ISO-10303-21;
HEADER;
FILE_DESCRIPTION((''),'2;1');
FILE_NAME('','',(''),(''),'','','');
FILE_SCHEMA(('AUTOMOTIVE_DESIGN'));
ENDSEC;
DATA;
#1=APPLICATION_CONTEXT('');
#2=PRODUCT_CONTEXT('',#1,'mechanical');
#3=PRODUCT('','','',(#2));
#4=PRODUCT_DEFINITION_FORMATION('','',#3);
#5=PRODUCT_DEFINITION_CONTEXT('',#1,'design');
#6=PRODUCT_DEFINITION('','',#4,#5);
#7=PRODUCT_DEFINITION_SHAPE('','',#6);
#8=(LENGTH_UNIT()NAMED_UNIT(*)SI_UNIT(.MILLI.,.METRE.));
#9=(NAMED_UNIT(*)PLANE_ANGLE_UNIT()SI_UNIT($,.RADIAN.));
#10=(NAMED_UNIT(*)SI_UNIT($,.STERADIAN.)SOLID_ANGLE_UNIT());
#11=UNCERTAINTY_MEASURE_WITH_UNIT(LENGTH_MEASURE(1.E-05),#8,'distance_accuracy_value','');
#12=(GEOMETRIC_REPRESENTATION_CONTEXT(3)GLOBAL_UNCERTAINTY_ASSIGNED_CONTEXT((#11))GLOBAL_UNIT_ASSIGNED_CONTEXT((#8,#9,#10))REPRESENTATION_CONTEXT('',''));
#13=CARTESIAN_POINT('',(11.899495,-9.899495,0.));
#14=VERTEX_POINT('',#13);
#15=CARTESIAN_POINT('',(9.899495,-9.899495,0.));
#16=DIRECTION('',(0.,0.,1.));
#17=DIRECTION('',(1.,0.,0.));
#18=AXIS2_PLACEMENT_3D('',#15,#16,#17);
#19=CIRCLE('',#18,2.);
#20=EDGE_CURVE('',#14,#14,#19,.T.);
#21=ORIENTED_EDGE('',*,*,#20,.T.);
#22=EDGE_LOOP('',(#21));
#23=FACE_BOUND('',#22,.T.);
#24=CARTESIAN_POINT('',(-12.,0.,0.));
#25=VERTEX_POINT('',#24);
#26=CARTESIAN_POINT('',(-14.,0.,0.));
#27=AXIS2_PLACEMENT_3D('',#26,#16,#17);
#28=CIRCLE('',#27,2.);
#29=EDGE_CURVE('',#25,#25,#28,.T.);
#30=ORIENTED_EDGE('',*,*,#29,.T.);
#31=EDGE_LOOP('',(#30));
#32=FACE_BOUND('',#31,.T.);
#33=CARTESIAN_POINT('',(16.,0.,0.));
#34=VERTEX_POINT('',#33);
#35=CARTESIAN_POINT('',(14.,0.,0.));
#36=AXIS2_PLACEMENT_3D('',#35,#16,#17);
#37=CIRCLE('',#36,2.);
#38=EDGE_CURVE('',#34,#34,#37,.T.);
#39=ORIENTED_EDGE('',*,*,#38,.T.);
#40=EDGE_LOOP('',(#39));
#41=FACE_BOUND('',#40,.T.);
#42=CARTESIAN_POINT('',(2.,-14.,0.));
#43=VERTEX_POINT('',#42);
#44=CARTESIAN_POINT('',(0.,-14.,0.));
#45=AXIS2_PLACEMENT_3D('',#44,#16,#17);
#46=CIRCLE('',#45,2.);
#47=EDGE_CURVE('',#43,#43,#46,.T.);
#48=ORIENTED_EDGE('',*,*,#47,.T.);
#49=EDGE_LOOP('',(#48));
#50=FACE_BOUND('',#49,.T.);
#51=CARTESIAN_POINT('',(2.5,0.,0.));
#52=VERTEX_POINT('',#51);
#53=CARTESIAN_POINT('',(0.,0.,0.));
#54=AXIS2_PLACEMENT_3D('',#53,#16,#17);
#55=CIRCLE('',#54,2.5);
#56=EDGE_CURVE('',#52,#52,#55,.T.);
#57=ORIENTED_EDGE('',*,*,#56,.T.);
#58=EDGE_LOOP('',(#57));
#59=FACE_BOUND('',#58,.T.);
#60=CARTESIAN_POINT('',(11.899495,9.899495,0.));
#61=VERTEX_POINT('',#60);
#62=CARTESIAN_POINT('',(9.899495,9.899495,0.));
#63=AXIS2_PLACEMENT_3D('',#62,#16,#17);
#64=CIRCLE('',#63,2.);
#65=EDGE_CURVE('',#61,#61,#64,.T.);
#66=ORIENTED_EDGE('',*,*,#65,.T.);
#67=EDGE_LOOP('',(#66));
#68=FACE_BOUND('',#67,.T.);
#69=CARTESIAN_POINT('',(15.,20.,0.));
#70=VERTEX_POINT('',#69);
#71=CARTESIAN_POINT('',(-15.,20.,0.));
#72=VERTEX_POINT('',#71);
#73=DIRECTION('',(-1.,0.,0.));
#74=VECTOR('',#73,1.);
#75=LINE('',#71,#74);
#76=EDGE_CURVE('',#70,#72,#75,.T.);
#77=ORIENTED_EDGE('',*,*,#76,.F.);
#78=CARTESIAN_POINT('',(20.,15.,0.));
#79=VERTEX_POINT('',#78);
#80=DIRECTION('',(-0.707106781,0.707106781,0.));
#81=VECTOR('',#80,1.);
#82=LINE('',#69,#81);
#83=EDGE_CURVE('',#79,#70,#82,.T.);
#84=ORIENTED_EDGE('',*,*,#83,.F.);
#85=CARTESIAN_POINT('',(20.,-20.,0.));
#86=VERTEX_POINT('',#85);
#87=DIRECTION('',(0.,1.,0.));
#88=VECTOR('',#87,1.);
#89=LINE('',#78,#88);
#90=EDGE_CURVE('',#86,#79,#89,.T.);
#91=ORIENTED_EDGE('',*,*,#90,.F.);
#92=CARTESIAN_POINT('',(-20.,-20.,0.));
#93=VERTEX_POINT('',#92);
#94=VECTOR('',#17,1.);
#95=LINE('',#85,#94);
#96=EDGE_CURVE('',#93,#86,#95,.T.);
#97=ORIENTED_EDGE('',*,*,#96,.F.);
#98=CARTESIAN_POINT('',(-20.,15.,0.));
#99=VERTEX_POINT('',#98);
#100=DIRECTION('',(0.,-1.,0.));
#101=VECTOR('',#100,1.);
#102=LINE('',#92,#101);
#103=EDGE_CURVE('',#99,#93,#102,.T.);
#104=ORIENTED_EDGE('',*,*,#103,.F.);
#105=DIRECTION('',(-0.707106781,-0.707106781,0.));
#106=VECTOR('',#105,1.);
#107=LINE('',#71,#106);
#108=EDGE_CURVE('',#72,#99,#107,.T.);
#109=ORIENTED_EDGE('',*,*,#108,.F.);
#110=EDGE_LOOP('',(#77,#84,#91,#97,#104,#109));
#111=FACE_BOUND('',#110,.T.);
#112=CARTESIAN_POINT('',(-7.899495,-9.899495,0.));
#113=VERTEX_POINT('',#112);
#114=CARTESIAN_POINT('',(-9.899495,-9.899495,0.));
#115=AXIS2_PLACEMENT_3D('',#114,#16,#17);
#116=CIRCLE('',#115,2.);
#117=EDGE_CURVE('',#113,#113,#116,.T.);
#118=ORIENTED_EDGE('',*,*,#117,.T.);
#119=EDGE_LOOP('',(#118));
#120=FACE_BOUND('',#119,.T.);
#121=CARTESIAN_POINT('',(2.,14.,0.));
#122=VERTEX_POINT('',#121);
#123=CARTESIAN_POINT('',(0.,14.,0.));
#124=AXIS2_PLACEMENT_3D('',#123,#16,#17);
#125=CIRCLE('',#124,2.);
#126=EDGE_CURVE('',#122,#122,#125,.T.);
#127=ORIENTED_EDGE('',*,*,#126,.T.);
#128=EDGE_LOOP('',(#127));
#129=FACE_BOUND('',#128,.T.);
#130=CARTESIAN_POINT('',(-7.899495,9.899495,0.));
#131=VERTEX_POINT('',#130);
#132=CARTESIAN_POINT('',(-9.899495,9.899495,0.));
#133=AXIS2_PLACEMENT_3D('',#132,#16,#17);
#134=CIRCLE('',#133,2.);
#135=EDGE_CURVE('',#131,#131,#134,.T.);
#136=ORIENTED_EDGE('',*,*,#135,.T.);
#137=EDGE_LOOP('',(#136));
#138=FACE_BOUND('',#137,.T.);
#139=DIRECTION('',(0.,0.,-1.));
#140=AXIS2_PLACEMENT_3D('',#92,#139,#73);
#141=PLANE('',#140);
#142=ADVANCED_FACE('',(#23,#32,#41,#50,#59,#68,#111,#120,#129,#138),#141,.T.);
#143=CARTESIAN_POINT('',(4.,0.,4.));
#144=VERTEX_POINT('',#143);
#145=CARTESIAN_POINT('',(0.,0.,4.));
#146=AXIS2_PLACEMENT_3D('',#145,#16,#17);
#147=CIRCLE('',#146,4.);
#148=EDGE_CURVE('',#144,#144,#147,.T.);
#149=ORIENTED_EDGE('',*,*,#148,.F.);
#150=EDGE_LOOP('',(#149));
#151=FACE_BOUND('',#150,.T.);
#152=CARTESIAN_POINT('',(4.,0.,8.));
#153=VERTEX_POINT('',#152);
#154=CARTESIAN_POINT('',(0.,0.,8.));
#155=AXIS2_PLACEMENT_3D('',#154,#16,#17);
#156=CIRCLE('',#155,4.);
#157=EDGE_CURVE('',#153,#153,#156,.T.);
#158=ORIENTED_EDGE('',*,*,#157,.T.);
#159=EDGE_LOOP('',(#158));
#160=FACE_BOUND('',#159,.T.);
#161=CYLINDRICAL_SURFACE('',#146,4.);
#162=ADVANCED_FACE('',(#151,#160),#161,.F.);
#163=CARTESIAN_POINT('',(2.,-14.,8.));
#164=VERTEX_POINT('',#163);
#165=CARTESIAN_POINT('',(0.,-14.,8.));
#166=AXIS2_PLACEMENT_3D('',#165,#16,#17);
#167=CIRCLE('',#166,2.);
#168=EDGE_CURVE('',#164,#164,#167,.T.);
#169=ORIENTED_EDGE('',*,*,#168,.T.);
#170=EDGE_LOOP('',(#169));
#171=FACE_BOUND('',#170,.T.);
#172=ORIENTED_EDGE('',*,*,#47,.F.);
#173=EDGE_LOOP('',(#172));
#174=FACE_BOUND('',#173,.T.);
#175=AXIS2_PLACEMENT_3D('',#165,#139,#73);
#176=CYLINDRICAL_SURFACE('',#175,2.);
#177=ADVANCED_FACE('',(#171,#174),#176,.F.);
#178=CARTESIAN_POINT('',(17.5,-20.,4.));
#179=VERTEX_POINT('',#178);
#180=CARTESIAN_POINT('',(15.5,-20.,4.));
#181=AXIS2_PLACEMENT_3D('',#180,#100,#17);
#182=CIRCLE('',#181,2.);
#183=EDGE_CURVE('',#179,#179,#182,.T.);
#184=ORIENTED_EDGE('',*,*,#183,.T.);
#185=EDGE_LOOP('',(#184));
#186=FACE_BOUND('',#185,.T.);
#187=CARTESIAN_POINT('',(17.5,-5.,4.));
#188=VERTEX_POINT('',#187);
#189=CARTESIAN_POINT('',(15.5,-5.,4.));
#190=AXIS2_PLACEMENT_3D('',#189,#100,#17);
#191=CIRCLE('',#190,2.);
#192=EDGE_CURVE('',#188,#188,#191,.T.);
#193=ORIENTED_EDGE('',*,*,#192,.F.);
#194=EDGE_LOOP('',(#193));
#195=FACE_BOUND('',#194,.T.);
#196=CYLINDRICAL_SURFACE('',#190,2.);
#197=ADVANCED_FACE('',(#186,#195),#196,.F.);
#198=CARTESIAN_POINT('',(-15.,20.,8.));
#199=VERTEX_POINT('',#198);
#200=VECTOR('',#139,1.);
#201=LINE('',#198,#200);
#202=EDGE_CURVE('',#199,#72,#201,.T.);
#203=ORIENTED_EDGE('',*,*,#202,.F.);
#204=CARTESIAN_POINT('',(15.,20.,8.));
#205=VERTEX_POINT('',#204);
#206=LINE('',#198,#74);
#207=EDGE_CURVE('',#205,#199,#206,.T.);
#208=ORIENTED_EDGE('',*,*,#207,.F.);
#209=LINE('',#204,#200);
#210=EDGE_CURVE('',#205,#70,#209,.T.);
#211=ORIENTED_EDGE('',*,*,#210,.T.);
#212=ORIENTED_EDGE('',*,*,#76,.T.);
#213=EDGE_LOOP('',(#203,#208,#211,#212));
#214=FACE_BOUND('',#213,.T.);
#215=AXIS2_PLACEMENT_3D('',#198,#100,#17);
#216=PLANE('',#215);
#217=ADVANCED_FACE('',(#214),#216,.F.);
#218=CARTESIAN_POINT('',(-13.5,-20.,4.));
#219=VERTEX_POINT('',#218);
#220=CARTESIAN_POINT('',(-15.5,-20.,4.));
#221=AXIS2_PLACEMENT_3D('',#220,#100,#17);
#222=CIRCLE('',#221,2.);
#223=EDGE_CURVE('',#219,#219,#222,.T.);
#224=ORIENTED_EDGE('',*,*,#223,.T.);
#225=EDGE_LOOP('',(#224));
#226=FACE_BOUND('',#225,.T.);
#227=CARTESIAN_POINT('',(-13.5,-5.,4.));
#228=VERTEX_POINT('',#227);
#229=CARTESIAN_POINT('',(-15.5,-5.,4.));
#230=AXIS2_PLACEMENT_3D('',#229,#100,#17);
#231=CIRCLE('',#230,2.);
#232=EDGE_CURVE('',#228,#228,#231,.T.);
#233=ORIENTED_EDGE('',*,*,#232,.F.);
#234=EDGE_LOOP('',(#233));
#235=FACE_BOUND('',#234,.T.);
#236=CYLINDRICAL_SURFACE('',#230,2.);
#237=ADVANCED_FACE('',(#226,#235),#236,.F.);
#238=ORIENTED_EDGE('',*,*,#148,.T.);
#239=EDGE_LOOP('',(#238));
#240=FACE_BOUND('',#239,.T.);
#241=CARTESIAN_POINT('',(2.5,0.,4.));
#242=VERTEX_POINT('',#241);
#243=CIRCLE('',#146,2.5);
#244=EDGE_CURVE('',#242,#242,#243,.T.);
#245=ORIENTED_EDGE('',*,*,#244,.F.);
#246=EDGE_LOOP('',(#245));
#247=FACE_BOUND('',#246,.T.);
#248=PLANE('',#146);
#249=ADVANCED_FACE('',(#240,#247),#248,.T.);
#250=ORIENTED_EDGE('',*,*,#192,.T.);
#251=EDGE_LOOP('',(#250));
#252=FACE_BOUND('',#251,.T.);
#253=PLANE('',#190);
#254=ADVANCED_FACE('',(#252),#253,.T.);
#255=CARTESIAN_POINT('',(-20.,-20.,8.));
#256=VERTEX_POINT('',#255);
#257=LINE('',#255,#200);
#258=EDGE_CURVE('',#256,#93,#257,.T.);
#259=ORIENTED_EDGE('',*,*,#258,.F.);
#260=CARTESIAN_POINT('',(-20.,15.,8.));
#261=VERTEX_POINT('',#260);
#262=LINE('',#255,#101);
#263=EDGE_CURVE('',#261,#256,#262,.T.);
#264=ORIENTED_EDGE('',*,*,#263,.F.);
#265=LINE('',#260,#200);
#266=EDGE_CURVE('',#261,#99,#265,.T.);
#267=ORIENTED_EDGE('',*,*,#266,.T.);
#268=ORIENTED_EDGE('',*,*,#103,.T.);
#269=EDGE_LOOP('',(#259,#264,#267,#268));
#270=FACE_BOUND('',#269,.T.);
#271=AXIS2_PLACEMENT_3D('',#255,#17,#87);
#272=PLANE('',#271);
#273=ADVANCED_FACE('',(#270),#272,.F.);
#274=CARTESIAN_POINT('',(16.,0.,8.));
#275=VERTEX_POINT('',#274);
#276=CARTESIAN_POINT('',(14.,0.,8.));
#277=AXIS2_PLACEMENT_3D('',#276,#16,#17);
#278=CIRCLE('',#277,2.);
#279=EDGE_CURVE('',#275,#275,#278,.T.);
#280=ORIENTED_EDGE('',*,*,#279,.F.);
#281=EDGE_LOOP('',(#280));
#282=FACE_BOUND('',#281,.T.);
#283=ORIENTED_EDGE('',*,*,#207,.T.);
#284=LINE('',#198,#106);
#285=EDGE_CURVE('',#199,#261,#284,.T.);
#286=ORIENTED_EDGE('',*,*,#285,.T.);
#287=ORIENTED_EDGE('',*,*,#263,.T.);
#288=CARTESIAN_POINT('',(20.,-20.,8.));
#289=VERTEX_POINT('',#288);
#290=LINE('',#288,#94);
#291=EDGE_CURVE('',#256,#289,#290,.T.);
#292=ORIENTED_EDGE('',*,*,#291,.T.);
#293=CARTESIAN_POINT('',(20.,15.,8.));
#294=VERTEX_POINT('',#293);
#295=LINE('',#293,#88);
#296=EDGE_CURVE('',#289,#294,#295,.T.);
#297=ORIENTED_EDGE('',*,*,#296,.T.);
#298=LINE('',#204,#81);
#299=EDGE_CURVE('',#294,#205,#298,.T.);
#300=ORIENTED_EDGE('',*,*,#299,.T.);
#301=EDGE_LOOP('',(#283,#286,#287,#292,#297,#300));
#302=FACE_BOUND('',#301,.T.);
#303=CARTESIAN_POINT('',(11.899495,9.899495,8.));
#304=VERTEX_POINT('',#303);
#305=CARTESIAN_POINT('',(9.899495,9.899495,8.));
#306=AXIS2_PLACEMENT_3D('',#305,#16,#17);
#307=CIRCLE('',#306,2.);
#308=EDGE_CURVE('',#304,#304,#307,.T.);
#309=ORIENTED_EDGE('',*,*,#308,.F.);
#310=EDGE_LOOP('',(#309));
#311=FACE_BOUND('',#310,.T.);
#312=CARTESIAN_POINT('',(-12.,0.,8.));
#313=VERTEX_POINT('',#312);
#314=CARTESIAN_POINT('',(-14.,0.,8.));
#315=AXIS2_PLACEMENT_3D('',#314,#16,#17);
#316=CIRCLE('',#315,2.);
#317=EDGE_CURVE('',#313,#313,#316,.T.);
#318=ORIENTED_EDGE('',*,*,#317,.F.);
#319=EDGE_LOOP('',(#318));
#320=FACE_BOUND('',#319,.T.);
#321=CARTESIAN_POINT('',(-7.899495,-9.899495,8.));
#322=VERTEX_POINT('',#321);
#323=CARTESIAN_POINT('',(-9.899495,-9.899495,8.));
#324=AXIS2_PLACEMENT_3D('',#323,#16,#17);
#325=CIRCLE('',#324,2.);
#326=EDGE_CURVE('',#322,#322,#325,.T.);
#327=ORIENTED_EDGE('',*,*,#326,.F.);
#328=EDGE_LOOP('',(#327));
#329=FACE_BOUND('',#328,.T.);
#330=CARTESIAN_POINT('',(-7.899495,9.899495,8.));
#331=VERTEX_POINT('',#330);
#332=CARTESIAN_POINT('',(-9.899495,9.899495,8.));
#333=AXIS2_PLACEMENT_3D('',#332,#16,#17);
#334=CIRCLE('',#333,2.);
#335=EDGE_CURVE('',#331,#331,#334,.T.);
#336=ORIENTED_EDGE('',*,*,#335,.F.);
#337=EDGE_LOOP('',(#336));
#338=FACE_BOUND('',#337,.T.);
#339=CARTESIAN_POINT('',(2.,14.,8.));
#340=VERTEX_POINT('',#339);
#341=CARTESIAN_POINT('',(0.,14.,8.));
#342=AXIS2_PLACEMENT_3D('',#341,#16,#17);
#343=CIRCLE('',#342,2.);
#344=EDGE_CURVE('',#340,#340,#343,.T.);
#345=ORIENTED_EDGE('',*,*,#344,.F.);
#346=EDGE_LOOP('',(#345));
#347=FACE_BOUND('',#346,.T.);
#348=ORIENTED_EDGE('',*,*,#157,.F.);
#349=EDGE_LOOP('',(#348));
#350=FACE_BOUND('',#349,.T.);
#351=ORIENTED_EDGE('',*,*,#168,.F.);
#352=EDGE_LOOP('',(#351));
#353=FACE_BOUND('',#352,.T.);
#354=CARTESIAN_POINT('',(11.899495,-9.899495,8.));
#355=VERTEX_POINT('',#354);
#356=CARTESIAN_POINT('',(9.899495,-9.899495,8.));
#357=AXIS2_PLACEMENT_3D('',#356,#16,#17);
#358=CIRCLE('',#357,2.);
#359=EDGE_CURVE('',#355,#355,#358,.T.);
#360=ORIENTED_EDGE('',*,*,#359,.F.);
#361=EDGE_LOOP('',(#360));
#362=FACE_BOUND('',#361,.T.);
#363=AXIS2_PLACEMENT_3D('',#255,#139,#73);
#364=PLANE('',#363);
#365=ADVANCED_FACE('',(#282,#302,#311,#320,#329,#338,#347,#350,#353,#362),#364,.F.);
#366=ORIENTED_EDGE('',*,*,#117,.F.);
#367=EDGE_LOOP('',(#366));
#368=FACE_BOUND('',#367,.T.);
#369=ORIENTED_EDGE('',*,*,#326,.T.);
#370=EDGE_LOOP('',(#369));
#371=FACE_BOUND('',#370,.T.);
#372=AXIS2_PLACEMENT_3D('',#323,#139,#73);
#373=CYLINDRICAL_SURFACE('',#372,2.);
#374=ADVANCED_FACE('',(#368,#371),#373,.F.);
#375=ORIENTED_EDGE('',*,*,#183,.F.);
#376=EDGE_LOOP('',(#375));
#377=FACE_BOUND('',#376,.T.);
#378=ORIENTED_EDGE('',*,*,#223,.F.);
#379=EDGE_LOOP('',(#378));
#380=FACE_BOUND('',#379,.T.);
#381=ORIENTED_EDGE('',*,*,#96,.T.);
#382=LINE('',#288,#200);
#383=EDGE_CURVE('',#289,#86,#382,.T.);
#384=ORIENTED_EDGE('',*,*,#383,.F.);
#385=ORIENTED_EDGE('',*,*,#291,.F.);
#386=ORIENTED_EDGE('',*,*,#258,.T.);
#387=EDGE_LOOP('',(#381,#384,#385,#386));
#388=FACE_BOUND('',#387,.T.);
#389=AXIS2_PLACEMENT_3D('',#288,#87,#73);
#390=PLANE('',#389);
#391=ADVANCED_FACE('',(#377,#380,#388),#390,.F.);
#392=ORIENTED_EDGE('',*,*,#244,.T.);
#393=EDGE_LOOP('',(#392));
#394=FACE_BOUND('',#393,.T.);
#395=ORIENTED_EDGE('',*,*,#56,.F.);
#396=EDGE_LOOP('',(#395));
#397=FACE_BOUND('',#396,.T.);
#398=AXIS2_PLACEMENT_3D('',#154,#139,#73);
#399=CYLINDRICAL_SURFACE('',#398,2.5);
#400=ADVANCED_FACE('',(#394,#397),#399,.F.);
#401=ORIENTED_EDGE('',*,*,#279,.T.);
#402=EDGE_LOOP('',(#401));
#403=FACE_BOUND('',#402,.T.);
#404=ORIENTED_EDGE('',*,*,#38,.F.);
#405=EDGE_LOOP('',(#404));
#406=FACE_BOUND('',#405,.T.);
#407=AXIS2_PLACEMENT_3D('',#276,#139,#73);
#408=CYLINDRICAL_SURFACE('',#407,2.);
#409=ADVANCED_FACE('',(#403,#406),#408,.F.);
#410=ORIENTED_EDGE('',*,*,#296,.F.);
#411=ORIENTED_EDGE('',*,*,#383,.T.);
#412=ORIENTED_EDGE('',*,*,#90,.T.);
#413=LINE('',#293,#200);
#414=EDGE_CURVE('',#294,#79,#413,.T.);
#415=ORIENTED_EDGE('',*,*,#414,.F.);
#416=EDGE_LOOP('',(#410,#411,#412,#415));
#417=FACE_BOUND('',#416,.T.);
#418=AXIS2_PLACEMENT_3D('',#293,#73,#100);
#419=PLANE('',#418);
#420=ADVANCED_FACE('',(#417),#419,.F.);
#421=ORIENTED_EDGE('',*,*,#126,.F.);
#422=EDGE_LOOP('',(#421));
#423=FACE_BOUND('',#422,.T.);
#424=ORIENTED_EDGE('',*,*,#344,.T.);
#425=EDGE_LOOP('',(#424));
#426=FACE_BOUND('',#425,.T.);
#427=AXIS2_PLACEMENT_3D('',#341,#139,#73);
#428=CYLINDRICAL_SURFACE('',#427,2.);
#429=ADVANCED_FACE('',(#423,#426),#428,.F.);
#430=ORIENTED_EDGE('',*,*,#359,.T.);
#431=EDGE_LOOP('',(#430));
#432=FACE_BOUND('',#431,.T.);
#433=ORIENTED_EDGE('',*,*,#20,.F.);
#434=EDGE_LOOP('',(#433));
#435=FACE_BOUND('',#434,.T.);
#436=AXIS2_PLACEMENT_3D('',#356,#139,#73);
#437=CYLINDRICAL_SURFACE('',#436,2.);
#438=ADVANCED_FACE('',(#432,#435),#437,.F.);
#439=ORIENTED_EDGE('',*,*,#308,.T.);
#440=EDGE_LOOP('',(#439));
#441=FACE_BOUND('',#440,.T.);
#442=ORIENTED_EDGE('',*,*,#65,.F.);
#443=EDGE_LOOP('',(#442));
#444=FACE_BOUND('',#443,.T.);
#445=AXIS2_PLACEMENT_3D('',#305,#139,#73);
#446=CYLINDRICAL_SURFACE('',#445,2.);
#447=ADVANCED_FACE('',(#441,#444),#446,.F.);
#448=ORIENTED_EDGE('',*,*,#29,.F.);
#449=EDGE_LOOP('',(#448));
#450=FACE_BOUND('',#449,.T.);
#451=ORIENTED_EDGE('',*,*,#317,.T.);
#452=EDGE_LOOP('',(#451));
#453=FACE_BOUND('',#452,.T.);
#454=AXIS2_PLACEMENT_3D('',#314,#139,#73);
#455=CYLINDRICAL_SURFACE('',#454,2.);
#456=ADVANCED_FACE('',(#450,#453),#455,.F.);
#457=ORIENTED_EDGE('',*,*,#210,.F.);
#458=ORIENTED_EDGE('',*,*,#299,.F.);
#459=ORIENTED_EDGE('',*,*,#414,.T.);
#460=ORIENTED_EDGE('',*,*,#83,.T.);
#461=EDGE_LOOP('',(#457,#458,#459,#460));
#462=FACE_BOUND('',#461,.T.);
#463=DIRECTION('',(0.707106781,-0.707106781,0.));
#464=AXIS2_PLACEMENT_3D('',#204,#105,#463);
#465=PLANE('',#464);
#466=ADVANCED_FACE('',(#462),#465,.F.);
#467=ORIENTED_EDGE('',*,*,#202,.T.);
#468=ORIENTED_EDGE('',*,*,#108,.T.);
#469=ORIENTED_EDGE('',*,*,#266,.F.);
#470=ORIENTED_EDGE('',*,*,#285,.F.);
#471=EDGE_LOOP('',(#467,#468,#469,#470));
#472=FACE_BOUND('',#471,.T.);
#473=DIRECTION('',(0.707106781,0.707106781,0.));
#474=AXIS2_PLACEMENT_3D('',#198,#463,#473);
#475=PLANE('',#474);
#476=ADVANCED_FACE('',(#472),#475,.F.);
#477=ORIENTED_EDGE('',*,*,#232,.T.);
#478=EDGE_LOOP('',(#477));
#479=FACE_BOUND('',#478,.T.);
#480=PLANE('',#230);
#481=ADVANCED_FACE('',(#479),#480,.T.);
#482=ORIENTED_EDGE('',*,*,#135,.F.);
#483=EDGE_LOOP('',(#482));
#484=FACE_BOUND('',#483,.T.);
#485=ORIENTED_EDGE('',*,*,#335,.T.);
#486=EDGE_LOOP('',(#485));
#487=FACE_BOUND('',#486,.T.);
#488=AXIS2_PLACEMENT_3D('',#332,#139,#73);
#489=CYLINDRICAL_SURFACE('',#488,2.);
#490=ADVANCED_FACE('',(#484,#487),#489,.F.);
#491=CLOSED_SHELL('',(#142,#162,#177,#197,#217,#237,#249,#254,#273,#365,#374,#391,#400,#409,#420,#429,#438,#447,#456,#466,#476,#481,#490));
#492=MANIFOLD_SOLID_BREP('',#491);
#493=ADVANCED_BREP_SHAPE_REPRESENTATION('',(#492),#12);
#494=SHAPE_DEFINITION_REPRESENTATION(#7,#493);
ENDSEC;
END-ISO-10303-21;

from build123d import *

# Parameters (mm, degrees)
ESQUISSE1_R      = 2.5
ESQUISSE1_R_2    = 2
EXTRUSION1_DEPTH = 8
ESQUISSE2_R      = 4
EXTRUSION2_DEPTH = 4
ESQUISSE3_R      = 2
EXTRUSION3_DEPTH = 15


with BuildPart() as part:
    # Esquisse1 → Extrusion1 (new body)
    with BuildSketch(Plane.XY):
        Polygon((-20, -20), (-20, 15), (-15, 20), (15, 20), (20, 15), (20, -20), align=None)
        Circle(ESQUISSE1_R, mode=Mode.SUBTRACT)
        with Locations((9.899494937, 9.899494937)):
            Circle(ESQUISSE1_R_2, mode=Mode.SUBTRACT)
        with Locations((0, 14)):
            Circle(ESQUISSE1_R_2, mode=Mode.SUBTRACT)
        with Locations((14, 0)):
            Circle(ESQUISSE1_R_2, mode=Mode.SUBTRACT)
        with Locations((9.899494937, -9.899494937)):
            Circle(ESQUISSE1_R_2, mode=Mode.SUBTRACT)
        with Locations((0, -14)):
            Circle(ESQUISSE1_R_2, mode=Mode.SUBTRACT)
        with Locations((-9.899494937, -9.899494937)):
            Circle(ESQUISSE1_R_2, mode=Mode.SUBTRACT)
        with Locations((-14, 0)):
            Circle(ESQUISSE1_R_2, mode=Mode.SUBTRACT)
        with Locations((-9.899494937, 9.899494937)):
            Circle(ESQUISSE1_R_2, mode=Mode.SUBTRACT)
    extrude(amount=EXTRUSION1_DEPTH)

    # Esquisse2 → Extrusion2 (cut)
    with BuildSketch(Plane.XY.offset(8)):
        Circle(ESQUISSE2_R)
    extrude(amount=-EXTRUSION2_DEPTH, mode=Mode.SUBTRACT)

    # Esquisse3 → Extrusion3 (cut)
    with BuildSketch(Plane.XZ.offset(20)):
        with Locations((-15.5, 4)):
            Circle(ESQUISSE3_R)
        with Locations((15.5, 4)):
            Circle(ESQUISSE3_R)
    extrude(amount=-EXTRUSION3_DEPTH, mode=Mode.SUBTRACT)


solid = part.part
